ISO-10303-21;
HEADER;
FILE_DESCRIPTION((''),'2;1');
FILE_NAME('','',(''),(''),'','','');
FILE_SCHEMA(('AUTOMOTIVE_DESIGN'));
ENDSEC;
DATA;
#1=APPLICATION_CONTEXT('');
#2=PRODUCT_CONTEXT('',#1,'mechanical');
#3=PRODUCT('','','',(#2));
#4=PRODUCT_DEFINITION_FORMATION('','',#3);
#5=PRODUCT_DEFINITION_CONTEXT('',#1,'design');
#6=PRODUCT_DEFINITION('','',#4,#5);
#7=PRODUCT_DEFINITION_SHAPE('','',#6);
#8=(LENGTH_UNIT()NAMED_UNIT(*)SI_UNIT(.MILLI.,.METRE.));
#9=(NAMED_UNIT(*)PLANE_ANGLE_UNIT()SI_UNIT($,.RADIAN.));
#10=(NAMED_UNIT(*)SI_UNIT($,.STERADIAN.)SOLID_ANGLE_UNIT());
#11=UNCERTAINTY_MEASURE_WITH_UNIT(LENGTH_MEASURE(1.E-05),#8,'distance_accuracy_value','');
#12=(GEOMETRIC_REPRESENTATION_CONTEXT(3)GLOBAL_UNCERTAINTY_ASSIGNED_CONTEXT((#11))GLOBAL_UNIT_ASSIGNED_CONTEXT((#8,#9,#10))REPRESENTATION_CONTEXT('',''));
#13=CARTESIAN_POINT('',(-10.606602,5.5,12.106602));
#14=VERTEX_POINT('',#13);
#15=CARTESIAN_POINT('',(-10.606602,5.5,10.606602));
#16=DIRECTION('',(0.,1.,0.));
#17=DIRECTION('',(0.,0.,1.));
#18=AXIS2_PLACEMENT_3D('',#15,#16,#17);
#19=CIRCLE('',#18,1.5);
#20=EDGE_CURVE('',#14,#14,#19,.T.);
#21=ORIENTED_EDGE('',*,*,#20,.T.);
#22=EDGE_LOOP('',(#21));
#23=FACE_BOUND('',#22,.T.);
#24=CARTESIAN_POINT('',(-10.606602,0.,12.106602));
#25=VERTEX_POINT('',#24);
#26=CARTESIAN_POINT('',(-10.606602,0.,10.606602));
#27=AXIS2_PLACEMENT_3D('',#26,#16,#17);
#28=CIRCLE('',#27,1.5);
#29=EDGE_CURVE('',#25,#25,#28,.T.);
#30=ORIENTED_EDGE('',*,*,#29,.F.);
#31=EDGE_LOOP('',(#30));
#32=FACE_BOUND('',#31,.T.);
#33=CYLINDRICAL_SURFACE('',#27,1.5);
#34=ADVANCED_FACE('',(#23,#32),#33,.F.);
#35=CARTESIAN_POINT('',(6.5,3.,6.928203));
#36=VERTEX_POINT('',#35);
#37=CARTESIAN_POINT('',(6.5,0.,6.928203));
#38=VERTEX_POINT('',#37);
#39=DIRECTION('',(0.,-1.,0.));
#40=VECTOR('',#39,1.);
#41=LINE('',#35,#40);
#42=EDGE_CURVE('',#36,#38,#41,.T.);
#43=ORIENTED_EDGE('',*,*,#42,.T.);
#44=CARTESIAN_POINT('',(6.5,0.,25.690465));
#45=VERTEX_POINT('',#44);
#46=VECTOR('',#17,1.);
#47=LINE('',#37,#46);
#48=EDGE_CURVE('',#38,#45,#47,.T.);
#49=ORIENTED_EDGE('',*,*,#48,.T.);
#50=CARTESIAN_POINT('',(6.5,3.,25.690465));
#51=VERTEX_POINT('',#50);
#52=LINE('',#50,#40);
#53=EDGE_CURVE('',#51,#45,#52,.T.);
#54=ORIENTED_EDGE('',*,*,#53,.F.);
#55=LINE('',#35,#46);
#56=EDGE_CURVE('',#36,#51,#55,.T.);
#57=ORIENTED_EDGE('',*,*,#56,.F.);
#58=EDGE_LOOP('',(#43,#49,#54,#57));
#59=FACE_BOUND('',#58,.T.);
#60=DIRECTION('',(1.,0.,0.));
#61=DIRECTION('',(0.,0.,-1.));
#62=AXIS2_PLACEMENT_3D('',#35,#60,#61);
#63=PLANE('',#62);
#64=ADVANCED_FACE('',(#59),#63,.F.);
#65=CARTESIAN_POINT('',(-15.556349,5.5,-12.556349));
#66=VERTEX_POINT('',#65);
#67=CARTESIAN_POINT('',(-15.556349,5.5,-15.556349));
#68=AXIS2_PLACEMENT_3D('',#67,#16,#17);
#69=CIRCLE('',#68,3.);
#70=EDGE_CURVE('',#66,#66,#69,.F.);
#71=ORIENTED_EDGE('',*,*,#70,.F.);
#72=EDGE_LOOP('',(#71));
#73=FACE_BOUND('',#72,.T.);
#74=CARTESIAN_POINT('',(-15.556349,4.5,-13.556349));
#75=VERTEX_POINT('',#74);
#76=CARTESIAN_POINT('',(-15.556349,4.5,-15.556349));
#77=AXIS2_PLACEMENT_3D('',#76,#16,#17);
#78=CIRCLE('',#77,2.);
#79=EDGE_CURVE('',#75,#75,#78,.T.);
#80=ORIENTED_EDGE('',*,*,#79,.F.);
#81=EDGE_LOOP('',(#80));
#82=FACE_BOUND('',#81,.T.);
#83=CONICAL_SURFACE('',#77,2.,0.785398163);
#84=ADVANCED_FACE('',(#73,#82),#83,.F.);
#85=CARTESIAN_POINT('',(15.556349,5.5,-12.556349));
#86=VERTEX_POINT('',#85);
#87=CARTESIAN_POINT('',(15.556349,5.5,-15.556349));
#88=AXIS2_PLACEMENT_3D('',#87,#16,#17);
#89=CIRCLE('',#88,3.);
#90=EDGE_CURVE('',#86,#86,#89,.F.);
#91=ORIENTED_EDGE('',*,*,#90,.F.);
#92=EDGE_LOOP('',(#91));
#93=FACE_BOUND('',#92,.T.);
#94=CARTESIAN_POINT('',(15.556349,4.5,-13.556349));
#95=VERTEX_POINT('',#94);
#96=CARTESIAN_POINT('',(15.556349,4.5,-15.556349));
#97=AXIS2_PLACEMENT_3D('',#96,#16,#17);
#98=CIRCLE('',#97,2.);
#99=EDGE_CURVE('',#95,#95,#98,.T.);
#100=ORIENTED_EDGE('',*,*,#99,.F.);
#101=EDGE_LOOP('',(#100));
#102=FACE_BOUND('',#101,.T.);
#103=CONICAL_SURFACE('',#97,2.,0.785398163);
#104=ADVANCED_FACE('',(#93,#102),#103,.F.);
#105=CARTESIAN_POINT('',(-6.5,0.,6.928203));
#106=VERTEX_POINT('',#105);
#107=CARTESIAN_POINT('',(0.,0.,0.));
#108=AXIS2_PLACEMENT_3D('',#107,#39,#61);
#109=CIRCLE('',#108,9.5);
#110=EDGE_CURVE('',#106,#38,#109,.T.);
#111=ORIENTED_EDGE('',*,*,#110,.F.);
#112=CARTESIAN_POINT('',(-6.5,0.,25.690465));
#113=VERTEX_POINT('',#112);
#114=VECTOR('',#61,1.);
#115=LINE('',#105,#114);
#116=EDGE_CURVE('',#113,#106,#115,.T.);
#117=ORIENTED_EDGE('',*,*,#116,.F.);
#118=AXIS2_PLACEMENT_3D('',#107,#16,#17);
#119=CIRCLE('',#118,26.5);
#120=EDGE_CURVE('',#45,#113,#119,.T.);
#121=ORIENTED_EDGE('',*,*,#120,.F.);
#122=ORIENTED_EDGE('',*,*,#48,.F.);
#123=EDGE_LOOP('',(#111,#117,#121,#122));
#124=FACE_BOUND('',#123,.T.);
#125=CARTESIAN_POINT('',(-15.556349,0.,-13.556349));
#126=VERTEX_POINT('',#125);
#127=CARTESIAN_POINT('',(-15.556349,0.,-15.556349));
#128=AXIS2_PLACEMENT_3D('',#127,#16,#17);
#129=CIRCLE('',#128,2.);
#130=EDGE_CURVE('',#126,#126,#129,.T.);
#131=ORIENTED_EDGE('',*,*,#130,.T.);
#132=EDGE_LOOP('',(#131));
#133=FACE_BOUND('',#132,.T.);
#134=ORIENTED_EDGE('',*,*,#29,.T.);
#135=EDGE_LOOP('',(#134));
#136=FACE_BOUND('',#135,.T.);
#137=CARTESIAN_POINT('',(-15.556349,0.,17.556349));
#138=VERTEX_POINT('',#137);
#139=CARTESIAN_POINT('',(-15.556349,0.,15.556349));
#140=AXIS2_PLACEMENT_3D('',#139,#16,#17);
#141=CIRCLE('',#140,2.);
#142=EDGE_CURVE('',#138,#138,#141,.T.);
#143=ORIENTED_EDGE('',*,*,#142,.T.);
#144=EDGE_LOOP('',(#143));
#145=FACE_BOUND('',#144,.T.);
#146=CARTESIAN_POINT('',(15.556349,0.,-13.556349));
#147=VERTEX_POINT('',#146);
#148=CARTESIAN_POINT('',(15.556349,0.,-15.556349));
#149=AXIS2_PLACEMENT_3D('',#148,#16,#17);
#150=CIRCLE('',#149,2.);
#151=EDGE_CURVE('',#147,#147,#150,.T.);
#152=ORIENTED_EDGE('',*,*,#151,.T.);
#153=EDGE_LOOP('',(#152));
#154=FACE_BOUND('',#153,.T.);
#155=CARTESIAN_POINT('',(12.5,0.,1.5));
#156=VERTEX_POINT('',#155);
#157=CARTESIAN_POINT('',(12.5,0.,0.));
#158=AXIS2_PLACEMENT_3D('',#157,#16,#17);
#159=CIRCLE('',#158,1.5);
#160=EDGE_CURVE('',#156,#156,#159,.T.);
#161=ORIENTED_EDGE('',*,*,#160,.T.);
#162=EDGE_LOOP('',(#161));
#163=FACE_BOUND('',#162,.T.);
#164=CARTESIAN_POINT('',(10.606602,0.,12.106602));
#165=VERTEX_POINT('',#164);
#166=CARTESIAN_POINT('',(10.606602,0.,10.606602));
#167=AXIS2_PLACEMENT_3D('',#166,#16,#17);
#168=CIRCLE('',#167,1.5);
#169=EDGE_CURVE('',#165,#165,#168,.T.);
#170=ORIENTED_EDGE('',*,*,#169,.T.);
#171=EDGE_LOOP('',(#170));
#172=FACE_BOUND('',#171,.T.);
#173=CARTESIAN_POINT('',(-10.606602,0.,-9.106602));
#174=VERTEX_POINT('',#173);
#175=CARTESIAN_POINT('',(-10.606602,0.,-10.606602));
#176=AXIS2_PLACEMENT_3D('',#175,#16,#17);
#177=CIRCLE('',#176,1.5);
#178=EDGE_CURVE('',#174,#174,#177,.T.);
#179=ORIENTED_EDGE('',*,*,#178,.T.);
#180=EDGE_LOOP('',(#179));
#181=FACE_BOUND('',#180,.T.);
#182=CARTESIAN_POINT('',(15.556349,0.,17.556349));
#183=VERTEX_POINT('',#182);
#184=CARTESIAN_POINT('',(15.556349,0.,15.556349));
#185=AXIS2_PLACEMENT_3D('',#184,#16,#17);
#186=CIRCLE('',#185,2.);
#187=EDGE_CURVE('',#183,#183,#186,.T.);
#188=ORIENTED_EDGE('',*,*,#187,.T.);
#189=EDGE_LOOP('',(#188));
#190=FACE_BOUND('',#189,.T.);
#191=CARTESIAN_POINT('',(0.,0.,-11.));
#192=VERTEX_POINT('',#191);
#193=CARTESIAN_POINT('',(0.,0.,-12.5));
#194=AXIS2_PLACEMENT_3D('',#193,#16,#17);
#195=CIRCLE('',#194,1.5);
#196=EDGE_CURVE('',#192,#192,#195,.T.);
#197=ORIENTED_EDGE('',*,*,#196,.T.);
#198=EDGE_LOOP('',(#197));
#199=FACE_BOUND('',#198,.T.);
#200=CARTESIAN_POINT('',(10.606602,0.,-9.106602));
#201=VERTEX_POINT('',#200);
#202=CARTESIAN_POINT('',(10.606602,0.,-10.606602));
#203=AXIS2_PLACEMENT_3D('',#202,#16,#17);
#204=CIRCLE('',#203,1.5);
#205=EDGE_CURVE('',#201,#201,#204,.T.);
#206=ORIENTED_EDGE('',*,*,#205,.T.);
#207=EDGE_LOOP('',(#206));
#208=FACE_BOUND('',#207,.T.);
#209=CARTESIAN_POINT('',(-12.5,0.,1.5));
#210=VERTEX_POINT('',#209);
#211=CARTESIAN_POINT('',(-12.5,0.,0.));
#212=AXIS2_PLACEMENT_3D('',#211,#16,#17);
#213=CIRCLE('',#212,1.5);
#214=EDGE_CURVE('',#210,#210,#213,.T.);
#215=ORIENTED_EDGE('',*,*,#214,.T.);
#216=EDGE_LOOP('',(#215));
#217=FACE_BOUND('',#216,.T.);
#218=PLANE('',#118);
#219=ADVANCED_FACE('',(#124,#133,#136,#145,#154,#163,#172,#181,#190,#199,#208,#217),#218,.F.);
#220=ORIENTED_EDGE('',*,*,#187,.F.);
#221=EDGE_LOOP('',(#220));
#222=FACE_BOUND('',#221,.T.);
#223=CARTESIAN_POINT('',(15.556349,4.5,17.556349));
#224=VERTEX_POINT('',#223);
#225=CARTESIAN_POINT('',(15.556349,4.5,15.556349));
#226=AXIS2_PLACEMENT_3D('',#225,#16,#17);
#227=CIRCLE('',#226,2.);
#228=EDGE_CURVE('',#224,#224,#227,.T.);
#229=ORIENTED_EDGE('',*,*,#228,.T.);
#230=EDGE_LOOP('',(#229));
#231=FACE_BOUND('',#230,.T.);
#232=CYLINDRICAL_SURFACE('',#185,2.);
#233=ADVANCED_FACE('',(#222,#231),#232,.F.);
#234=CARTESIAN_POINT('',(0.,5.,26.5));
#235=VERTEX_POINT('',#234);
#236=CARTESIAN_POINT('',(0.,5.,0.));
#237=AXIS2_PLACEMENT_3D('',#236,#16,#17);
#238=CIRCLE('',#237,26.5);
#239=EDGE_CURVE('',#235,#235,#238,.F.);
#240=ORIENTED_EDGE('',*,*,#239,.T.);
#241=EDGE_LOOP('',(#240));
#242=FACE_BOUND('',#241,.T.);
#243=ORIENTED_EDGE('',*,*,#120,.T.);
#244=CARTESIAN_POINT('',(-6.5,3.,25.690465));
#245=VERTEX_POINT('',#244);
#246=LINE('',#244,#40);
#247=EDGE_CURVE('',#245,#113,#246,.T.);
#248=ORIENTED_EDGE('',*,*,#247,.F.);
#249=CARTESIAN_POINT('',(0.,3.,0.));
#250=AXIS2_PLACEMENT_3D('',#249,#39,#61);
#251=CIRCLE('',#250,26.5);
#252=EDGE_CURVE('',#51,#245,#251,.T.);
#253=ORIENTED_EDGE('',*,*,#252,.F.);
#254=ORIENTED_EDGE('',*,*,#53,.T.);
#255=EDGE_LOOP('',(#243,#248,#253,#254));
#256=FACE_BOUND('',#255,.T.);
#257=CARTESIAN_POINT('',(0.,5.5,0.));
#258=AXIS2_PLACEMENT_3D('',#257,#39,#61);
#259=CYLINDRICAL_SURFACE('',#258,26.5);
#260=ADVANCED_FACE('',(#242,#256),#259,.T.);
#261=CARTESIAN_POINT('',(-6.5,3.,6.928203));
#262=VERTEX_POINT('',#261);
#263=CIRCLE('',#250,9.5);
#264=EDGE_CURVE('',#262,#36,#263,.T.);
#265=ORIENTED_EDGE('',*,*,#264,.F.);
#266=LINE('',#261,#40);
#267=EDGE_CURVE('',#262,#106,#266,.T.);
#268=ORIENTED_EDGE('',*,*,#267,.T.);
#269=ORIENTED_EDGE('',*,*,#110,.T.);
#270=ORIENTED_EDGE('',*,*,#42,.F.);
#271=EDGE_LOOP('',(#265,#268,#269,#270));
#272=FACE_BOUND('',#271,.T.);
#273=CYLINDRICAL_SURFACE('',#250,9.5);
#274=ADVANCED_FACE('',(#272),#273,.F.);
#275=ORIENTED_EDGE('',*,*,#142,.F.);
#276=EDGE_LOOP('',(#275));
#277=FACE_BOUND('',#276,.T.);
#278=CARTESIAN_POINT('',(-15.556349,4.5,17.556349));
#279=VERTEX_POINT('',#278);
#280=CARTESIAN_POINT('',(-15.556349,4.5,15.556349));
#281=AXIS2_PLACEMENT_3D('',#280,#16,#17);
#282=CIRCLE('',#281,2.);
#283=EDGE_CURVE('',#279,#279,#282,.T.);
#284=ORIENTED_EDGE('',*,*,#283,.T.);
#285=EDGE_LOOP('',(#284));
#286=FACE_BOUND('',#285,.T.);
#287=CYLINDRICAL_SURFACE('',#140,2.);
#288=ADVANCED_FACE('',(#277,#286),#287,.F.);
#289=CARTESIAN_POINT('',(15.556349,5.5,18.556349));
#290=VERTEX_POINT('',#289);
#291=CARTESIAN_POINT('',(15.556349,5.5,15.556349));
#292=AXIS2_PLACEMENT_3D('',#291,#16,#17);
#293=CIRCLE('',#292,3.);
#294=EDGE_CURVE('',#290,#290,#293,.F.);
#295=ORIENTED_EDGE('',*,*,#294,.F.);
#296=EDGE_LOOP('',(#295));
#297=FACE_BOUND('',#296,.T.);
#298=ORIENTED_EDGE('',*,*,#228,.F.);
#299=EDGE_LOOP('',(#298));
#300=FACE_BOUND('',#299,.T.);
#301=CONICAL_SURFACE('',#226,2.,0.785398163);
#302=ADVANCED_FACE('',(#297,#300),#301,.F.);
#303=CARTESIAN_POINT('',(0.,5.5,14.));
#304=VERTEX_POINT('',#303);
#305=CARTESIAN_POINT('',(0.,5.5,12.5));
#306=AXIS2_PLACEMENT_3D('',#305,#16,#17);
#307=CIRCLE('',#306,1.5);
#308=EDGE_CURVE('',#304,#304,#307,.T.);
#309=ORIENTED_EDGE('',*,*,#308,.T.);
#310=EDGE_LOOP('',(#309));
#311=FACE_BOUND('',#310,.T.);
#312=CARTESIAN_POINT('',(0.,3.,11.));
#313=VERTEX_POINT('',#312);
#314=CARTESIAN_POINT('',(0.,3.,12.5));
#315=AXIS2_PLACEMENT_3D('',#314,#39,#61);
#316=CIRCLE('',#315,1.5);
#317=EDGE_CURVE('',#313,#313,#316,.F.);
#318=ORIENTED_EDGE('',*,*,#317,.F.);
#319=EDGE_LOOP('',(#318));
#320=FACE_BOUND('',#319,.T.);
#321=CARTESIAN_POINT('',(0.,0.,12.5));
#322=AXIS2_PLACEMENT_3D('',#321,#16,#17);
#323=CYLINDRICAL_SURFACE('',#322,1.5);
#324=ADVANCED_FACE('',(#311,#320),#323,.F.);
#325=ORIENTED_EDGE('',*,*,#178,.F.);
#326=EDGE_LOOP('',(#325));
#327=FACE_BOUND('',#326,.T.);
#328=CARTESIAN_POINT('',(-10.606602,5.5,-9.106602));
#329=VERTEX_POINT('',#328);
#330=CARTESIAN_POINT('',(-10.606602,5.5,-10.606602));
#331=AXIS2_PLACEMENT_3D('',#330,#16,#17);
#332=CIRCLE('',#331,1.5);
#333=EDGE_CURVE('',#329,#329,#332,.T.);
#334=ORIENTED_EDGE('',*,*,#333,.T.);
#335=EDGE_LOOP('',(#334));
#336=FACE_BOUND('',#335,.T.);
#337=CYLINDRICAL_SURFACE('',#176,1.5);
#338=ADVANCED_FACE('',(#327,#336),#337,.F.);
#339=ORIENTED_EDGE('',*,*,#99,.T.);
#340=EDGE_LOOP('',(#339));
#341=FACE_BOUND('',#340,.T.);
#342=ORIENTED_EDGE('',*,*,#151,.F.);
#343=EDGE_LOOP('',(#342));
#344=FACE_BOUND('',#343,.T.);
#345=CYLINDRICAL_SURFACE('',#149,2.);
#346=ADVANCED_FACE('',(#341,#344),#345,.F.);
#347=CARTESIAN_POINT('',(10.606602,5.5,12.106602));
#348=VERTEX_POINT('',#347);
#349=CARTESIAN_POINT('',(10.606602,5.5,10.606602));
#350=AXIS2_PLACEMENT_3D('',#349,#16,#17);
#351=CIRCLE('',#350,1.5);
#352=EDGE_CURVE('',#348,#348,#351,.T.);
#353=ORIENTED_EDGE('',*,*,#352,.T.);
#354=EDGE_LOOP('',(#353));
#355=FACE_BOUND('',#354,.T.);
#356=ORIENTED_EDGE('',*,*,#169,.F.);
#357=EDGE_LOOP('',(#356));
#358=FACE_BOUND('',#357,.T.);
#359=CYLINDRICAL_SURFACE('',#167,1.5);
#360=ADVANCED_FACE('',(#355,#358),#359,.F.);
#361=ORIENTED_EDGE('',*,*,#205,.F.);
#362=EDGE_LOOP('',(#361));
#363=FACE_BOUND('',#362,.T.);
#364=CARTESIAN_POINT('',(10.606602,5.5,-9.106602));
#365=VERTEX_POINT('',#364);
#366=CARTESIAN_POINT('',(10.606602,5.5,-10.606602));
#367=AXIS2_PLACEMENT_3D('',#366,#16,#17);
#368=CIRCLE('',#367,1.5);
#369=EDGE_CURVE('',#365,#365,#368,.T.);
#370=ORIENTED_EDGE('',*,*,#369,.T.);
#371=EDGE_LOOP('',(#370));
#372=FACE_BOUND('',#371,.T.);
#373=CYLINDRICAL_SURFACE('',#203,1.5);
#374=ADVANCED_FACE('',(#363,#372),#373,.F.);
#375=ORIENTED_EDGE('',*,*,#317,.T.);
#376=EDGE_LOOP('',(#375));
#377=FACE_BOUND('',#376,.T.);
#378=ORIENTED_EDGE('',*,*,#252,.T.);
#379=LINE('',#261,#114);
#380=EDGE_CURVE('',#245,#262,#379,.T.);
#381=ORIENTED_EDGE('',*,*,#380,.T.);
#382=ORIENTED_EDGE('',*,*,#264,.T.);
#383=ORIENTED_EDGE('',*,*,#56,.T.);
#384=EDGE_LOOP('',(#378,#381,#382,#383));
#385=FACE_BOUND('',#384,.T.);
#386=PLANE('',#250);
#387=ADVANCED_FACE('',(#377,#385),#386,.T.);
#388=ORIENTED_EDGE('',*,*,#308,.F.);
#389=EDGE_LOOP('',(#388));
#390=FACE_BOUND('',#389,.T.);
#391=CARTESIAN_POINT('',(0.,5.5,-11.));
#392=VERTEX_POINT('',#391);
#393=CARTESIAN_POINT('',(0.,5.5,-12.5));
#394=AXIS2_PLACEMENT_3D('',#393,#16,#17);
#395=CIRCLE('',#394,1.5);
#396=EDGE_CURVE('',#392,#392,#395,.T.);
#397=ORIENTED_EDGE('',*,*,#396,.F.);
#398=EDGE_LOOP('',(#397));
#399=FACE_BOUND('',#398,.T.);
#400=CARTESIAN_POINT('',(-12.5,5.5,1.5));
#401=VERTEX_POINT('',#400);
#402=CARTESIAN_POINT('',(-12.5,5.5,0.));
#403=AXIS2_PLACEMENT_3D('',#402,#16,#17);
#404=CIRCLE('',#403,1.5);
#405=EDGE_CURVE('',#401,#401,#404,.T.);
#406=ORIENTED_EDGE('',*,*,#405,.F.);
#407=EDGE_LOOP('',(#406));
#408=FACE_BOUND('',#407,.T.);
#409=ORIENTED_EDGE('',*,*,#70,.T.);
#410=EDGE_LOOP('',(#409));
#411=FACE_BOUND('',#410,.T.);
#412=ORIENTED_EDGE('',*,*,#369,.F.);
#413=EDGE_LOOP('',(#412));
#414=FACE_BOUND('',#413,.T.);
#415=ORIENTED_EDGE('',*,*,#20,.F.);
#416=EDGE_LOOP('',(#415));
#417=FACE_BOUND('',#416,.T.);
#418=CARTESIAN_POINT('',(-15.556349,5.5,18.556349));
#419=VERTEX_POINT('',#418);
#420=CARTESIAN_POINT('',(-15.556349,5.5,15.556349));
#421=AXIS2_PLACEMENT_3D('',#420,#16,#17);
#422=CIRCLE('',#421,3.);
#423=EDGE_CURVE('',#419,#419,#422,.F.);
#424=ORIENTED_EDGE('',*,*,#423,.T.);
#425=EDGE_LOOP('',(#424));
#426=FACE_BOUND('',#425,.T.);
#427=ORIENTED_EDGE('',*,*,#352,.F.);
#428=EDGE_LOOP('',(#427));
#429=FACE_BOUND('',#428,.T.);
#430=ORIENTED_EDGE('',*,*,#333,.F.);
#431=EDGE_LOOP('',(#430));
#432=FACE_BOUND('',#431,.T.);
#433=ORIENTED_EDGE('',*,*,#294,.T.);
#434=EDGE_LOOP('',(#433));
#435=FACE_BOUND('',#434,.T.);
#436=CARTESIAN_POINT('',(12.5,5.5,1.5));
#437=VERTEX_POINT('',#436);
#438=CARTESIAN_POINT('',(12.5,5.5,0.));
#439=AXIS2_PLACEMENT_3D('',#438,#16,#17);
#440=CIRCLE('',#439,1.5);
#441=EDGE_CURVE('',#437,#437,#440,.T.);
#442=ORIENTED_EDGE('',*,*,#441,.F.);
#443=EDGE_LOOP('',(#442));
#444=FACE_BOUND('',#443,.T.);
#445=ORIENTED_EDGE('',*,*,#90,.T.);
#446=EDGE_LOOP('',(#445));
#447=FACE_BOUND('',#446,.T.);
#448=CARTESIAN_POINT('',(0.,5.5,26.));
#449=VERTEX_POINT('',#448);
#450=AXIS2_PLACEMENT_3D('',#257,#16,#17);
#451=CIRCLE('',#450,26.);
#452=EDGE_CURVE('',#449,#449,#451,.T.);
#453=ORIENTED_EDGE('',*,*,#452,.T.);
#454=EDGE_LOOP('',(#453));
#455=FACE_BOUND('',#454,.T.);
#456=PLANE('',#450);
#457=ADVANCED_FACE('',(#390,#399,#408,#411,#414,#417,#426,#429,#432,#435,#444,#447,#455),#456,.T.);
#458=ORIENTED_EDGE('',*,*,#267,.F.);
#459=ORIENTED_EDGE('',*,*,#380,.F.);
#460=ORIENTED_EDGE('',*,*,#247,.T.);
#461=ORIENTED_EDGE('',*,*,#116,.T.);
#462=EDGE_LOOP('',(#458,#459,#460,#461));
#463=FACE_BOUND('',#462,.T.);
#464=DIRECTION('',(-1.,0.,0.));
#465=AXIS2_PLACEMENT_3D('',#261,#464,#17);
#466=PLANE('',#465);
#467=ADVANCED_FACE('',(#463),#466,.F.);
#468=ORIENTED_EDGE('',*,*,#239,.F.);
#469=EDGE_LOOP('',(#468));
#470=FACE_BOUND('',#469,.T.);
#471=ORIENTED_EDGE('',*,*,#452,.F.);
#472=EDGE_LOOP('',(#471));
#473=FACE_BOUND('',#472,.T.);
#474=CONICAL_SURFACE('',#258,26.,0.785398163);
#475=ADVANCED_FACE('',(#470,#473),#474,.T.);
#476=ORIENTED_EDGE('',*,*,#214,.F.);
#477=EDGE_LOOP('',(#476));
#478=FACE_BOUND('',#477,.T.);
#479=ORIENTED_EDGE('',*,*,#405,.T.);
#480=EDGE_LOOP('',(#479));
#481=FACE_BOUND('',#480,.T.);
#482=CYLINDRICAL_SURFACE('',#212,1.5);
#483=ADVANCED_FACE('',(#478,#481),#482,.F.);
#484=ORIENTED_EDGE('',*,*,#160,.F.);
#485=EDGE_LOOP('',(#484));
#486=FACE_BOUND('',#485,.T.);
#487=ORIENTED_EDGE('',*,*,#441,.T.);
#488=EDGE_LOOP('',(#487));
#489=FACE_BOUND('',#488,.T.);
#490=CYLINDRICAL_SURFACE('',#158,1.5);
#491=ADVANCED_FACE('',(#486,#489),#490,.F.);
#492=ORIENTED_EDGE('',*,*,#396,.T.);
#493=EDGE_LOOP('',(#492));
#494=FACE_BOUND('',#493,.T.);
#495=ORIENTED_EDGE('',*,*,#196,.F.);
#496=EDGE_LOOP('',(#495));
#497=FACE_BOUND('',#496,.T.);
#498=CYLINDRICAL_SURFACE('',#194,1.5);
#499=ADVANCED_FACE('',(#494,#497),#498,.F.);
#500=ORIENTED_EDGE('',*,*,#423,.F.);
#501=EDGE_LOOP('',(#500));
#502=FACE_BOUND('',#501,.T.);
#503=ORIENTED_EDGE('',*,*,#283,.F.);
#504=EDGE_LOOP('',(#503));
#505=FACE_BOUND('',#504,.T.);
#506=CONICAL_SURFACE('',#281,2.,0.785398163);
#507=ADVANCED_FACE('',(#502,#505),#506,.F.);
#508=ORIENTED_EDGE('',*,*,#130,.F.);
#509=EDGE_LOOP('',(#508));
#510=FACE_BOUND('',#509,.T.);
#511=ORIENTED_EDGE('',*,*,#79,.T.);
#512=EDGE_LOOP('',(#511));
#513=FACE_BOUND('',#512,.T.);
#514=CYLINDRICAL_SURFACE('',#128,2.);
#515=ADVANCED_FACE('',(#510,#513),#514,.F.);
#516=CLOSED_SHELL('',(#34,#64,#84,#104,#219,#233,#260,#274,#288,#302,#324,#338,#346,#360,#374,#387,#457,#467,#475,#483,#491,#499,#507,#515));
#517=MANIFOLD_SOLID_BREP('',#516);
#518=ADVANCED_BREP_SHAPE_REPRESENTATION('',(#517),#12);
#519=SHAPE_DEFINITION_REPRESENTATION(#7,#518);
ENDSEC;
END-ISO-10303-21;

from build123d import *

# Parameters (mm, degrees)
SKETCH_1_R          = 26.5
EXTRUDE_1_DEPTH     = 5.5
CHAMFER_1_SIZE      = 0.5
SKETCH_4_R          = 2
CUT_EXTRUDE_2_DEPTH = 38.878093933
CHAMFER_2_SIZE      = 1
SKETCH_5_R          = 1.5
CUT_EXTRUDE_3_DEPTH = 38.878093933
CUT_EXTRUDE_4_DEPTH = 3


with BuildPart() as part:
    # Эскиз1 → Бобышка-Вытянуть1 (new body)
    with BuildSketch(Plane(origin=(0, 0, 0), x_dir=(1, 0, 0), z_dir=(0, 1, 0))):
        with Locations(Location((0, 0, 0), (0, 0, 270))):
            Circle(SKETCH_1_R)
    extrude(amount=EXTRUDE_1_DEPTH)

    # Фаска1
    chamfer_1_edges = [part.edges().sort_by_distance(p)[0] for p in [
        (0, 5.5, -26.5),
    ]]
    chamfer(chamfer_1_edges, length=CHAMFER_1_SIZE)

    # Эскиз4 → Вырез-Вытянуть2 (cut, through all)
    with BuildSketch(Plane(origin=(0, 5.5, 0), x_dir=(1, 0, 0), z_dir=(0, 1, 0))):
        with Locations(Location((-15.556349186, 15.556349186, 0), (0, 0, 270))):
            Circle(SKETCH_4_R)
        with Locations(Location((15.556349186, 15.556349186, 0), (0, 0, 270))):
            Circle(SKETCH_4_R)
        with Locations(Location((15.556349186, -15.556349186, 0), (0, 0, 270))):
            Circle(SKETCH_4_R)
        with Locations(Location((-15.556349186, -15.556349186, 0), (0, 0, 270))):
            Circle(SKETCH_4_R)
    extrude(amount=-CUT_EXTRUDE_2_DEPTH, mode=Mode.SUBTRACT)

    # Фаска2
    chamfer_2_edges = [part.edges().sort_by_distance(p)[0] for p in [
        (-15.556349186, 5.5, 13.556349186),
        (15.556349186, 5.5, 13.556349186),
        (15.556349186, 5.5, -17.556349186),
        (-15.556349186, 5.5, -17.556349186),
    ]]
    chamfer(chamfer_2_edges, length=CHAMFER_2_SIZE)

    # Эскиз5 → Вырез-Вытянуть3 (cut, through all)
    with BuildSketch(Plane(origin=(0, 5.5, 0), x_dir=(1, 0, 0), z_dir=(0, 1, 0))):
        with Locations(Location((0, 12.5, 0), (0, 0, 270))):
            Circle(SKETCH_5_R)
        with Locations(Location((12.5, 0, 0), (0, 0, 270))):
            Circle(SKETCH_5_R)
        with Locations(Location((0, -12.5, 0), (0, 0, 270))):
            Circle(SKETCH_5_R)
        with Locations(Location((-12.5, 0, 0), (0, 0, 270))):
            Circle(SKETCH_5_R)
        with Locations(Location((10.606601718, 10.606601718, 0), (0, 0, 270))):
            Circle(SKETCH_5_R)
        with Locations(Location((10.606601718, -10.606601718, 0), (0, 0, 270))):
            Circle(SKETCH_5_R)
        with Locations(Location((-10.606601718, -10.606601718, 0), (0, 0, 270))):
            Circle(SKETCH_5_R)
        with Locations(Location((-10.606601718, 10.606601718, 0), (0, 0, 270))):
            Circle(SKETCH_5_R)
    extrude(amount=-CUT_EXTRUDE_3_DEPTH, mode=Mode.SUBTRACT)

    # Эскиз6 → Вырез-Вытянуть4 (cut)
    with BuildSketch(Plane.XZ):
        with BuildLine():
            Line((6.5, 6.92820323), (6.5, 25.690465157))
            ThreePointArc((6.5, 25.690465157), (0, 26.5), (-6.5, 25.690465157))
            Line((-6.5, 25.690465157), (-6.5, 6.92820323))
            ThreePointArc((-6.5, 6.92820323), (0, -9.5), (6.5, 6.92820323))
        make_face()
    extrude(amount=-CUT_EXTRUDE_4_DEPTH, mode=Mode.SUBTRACT)


solid = part.part
